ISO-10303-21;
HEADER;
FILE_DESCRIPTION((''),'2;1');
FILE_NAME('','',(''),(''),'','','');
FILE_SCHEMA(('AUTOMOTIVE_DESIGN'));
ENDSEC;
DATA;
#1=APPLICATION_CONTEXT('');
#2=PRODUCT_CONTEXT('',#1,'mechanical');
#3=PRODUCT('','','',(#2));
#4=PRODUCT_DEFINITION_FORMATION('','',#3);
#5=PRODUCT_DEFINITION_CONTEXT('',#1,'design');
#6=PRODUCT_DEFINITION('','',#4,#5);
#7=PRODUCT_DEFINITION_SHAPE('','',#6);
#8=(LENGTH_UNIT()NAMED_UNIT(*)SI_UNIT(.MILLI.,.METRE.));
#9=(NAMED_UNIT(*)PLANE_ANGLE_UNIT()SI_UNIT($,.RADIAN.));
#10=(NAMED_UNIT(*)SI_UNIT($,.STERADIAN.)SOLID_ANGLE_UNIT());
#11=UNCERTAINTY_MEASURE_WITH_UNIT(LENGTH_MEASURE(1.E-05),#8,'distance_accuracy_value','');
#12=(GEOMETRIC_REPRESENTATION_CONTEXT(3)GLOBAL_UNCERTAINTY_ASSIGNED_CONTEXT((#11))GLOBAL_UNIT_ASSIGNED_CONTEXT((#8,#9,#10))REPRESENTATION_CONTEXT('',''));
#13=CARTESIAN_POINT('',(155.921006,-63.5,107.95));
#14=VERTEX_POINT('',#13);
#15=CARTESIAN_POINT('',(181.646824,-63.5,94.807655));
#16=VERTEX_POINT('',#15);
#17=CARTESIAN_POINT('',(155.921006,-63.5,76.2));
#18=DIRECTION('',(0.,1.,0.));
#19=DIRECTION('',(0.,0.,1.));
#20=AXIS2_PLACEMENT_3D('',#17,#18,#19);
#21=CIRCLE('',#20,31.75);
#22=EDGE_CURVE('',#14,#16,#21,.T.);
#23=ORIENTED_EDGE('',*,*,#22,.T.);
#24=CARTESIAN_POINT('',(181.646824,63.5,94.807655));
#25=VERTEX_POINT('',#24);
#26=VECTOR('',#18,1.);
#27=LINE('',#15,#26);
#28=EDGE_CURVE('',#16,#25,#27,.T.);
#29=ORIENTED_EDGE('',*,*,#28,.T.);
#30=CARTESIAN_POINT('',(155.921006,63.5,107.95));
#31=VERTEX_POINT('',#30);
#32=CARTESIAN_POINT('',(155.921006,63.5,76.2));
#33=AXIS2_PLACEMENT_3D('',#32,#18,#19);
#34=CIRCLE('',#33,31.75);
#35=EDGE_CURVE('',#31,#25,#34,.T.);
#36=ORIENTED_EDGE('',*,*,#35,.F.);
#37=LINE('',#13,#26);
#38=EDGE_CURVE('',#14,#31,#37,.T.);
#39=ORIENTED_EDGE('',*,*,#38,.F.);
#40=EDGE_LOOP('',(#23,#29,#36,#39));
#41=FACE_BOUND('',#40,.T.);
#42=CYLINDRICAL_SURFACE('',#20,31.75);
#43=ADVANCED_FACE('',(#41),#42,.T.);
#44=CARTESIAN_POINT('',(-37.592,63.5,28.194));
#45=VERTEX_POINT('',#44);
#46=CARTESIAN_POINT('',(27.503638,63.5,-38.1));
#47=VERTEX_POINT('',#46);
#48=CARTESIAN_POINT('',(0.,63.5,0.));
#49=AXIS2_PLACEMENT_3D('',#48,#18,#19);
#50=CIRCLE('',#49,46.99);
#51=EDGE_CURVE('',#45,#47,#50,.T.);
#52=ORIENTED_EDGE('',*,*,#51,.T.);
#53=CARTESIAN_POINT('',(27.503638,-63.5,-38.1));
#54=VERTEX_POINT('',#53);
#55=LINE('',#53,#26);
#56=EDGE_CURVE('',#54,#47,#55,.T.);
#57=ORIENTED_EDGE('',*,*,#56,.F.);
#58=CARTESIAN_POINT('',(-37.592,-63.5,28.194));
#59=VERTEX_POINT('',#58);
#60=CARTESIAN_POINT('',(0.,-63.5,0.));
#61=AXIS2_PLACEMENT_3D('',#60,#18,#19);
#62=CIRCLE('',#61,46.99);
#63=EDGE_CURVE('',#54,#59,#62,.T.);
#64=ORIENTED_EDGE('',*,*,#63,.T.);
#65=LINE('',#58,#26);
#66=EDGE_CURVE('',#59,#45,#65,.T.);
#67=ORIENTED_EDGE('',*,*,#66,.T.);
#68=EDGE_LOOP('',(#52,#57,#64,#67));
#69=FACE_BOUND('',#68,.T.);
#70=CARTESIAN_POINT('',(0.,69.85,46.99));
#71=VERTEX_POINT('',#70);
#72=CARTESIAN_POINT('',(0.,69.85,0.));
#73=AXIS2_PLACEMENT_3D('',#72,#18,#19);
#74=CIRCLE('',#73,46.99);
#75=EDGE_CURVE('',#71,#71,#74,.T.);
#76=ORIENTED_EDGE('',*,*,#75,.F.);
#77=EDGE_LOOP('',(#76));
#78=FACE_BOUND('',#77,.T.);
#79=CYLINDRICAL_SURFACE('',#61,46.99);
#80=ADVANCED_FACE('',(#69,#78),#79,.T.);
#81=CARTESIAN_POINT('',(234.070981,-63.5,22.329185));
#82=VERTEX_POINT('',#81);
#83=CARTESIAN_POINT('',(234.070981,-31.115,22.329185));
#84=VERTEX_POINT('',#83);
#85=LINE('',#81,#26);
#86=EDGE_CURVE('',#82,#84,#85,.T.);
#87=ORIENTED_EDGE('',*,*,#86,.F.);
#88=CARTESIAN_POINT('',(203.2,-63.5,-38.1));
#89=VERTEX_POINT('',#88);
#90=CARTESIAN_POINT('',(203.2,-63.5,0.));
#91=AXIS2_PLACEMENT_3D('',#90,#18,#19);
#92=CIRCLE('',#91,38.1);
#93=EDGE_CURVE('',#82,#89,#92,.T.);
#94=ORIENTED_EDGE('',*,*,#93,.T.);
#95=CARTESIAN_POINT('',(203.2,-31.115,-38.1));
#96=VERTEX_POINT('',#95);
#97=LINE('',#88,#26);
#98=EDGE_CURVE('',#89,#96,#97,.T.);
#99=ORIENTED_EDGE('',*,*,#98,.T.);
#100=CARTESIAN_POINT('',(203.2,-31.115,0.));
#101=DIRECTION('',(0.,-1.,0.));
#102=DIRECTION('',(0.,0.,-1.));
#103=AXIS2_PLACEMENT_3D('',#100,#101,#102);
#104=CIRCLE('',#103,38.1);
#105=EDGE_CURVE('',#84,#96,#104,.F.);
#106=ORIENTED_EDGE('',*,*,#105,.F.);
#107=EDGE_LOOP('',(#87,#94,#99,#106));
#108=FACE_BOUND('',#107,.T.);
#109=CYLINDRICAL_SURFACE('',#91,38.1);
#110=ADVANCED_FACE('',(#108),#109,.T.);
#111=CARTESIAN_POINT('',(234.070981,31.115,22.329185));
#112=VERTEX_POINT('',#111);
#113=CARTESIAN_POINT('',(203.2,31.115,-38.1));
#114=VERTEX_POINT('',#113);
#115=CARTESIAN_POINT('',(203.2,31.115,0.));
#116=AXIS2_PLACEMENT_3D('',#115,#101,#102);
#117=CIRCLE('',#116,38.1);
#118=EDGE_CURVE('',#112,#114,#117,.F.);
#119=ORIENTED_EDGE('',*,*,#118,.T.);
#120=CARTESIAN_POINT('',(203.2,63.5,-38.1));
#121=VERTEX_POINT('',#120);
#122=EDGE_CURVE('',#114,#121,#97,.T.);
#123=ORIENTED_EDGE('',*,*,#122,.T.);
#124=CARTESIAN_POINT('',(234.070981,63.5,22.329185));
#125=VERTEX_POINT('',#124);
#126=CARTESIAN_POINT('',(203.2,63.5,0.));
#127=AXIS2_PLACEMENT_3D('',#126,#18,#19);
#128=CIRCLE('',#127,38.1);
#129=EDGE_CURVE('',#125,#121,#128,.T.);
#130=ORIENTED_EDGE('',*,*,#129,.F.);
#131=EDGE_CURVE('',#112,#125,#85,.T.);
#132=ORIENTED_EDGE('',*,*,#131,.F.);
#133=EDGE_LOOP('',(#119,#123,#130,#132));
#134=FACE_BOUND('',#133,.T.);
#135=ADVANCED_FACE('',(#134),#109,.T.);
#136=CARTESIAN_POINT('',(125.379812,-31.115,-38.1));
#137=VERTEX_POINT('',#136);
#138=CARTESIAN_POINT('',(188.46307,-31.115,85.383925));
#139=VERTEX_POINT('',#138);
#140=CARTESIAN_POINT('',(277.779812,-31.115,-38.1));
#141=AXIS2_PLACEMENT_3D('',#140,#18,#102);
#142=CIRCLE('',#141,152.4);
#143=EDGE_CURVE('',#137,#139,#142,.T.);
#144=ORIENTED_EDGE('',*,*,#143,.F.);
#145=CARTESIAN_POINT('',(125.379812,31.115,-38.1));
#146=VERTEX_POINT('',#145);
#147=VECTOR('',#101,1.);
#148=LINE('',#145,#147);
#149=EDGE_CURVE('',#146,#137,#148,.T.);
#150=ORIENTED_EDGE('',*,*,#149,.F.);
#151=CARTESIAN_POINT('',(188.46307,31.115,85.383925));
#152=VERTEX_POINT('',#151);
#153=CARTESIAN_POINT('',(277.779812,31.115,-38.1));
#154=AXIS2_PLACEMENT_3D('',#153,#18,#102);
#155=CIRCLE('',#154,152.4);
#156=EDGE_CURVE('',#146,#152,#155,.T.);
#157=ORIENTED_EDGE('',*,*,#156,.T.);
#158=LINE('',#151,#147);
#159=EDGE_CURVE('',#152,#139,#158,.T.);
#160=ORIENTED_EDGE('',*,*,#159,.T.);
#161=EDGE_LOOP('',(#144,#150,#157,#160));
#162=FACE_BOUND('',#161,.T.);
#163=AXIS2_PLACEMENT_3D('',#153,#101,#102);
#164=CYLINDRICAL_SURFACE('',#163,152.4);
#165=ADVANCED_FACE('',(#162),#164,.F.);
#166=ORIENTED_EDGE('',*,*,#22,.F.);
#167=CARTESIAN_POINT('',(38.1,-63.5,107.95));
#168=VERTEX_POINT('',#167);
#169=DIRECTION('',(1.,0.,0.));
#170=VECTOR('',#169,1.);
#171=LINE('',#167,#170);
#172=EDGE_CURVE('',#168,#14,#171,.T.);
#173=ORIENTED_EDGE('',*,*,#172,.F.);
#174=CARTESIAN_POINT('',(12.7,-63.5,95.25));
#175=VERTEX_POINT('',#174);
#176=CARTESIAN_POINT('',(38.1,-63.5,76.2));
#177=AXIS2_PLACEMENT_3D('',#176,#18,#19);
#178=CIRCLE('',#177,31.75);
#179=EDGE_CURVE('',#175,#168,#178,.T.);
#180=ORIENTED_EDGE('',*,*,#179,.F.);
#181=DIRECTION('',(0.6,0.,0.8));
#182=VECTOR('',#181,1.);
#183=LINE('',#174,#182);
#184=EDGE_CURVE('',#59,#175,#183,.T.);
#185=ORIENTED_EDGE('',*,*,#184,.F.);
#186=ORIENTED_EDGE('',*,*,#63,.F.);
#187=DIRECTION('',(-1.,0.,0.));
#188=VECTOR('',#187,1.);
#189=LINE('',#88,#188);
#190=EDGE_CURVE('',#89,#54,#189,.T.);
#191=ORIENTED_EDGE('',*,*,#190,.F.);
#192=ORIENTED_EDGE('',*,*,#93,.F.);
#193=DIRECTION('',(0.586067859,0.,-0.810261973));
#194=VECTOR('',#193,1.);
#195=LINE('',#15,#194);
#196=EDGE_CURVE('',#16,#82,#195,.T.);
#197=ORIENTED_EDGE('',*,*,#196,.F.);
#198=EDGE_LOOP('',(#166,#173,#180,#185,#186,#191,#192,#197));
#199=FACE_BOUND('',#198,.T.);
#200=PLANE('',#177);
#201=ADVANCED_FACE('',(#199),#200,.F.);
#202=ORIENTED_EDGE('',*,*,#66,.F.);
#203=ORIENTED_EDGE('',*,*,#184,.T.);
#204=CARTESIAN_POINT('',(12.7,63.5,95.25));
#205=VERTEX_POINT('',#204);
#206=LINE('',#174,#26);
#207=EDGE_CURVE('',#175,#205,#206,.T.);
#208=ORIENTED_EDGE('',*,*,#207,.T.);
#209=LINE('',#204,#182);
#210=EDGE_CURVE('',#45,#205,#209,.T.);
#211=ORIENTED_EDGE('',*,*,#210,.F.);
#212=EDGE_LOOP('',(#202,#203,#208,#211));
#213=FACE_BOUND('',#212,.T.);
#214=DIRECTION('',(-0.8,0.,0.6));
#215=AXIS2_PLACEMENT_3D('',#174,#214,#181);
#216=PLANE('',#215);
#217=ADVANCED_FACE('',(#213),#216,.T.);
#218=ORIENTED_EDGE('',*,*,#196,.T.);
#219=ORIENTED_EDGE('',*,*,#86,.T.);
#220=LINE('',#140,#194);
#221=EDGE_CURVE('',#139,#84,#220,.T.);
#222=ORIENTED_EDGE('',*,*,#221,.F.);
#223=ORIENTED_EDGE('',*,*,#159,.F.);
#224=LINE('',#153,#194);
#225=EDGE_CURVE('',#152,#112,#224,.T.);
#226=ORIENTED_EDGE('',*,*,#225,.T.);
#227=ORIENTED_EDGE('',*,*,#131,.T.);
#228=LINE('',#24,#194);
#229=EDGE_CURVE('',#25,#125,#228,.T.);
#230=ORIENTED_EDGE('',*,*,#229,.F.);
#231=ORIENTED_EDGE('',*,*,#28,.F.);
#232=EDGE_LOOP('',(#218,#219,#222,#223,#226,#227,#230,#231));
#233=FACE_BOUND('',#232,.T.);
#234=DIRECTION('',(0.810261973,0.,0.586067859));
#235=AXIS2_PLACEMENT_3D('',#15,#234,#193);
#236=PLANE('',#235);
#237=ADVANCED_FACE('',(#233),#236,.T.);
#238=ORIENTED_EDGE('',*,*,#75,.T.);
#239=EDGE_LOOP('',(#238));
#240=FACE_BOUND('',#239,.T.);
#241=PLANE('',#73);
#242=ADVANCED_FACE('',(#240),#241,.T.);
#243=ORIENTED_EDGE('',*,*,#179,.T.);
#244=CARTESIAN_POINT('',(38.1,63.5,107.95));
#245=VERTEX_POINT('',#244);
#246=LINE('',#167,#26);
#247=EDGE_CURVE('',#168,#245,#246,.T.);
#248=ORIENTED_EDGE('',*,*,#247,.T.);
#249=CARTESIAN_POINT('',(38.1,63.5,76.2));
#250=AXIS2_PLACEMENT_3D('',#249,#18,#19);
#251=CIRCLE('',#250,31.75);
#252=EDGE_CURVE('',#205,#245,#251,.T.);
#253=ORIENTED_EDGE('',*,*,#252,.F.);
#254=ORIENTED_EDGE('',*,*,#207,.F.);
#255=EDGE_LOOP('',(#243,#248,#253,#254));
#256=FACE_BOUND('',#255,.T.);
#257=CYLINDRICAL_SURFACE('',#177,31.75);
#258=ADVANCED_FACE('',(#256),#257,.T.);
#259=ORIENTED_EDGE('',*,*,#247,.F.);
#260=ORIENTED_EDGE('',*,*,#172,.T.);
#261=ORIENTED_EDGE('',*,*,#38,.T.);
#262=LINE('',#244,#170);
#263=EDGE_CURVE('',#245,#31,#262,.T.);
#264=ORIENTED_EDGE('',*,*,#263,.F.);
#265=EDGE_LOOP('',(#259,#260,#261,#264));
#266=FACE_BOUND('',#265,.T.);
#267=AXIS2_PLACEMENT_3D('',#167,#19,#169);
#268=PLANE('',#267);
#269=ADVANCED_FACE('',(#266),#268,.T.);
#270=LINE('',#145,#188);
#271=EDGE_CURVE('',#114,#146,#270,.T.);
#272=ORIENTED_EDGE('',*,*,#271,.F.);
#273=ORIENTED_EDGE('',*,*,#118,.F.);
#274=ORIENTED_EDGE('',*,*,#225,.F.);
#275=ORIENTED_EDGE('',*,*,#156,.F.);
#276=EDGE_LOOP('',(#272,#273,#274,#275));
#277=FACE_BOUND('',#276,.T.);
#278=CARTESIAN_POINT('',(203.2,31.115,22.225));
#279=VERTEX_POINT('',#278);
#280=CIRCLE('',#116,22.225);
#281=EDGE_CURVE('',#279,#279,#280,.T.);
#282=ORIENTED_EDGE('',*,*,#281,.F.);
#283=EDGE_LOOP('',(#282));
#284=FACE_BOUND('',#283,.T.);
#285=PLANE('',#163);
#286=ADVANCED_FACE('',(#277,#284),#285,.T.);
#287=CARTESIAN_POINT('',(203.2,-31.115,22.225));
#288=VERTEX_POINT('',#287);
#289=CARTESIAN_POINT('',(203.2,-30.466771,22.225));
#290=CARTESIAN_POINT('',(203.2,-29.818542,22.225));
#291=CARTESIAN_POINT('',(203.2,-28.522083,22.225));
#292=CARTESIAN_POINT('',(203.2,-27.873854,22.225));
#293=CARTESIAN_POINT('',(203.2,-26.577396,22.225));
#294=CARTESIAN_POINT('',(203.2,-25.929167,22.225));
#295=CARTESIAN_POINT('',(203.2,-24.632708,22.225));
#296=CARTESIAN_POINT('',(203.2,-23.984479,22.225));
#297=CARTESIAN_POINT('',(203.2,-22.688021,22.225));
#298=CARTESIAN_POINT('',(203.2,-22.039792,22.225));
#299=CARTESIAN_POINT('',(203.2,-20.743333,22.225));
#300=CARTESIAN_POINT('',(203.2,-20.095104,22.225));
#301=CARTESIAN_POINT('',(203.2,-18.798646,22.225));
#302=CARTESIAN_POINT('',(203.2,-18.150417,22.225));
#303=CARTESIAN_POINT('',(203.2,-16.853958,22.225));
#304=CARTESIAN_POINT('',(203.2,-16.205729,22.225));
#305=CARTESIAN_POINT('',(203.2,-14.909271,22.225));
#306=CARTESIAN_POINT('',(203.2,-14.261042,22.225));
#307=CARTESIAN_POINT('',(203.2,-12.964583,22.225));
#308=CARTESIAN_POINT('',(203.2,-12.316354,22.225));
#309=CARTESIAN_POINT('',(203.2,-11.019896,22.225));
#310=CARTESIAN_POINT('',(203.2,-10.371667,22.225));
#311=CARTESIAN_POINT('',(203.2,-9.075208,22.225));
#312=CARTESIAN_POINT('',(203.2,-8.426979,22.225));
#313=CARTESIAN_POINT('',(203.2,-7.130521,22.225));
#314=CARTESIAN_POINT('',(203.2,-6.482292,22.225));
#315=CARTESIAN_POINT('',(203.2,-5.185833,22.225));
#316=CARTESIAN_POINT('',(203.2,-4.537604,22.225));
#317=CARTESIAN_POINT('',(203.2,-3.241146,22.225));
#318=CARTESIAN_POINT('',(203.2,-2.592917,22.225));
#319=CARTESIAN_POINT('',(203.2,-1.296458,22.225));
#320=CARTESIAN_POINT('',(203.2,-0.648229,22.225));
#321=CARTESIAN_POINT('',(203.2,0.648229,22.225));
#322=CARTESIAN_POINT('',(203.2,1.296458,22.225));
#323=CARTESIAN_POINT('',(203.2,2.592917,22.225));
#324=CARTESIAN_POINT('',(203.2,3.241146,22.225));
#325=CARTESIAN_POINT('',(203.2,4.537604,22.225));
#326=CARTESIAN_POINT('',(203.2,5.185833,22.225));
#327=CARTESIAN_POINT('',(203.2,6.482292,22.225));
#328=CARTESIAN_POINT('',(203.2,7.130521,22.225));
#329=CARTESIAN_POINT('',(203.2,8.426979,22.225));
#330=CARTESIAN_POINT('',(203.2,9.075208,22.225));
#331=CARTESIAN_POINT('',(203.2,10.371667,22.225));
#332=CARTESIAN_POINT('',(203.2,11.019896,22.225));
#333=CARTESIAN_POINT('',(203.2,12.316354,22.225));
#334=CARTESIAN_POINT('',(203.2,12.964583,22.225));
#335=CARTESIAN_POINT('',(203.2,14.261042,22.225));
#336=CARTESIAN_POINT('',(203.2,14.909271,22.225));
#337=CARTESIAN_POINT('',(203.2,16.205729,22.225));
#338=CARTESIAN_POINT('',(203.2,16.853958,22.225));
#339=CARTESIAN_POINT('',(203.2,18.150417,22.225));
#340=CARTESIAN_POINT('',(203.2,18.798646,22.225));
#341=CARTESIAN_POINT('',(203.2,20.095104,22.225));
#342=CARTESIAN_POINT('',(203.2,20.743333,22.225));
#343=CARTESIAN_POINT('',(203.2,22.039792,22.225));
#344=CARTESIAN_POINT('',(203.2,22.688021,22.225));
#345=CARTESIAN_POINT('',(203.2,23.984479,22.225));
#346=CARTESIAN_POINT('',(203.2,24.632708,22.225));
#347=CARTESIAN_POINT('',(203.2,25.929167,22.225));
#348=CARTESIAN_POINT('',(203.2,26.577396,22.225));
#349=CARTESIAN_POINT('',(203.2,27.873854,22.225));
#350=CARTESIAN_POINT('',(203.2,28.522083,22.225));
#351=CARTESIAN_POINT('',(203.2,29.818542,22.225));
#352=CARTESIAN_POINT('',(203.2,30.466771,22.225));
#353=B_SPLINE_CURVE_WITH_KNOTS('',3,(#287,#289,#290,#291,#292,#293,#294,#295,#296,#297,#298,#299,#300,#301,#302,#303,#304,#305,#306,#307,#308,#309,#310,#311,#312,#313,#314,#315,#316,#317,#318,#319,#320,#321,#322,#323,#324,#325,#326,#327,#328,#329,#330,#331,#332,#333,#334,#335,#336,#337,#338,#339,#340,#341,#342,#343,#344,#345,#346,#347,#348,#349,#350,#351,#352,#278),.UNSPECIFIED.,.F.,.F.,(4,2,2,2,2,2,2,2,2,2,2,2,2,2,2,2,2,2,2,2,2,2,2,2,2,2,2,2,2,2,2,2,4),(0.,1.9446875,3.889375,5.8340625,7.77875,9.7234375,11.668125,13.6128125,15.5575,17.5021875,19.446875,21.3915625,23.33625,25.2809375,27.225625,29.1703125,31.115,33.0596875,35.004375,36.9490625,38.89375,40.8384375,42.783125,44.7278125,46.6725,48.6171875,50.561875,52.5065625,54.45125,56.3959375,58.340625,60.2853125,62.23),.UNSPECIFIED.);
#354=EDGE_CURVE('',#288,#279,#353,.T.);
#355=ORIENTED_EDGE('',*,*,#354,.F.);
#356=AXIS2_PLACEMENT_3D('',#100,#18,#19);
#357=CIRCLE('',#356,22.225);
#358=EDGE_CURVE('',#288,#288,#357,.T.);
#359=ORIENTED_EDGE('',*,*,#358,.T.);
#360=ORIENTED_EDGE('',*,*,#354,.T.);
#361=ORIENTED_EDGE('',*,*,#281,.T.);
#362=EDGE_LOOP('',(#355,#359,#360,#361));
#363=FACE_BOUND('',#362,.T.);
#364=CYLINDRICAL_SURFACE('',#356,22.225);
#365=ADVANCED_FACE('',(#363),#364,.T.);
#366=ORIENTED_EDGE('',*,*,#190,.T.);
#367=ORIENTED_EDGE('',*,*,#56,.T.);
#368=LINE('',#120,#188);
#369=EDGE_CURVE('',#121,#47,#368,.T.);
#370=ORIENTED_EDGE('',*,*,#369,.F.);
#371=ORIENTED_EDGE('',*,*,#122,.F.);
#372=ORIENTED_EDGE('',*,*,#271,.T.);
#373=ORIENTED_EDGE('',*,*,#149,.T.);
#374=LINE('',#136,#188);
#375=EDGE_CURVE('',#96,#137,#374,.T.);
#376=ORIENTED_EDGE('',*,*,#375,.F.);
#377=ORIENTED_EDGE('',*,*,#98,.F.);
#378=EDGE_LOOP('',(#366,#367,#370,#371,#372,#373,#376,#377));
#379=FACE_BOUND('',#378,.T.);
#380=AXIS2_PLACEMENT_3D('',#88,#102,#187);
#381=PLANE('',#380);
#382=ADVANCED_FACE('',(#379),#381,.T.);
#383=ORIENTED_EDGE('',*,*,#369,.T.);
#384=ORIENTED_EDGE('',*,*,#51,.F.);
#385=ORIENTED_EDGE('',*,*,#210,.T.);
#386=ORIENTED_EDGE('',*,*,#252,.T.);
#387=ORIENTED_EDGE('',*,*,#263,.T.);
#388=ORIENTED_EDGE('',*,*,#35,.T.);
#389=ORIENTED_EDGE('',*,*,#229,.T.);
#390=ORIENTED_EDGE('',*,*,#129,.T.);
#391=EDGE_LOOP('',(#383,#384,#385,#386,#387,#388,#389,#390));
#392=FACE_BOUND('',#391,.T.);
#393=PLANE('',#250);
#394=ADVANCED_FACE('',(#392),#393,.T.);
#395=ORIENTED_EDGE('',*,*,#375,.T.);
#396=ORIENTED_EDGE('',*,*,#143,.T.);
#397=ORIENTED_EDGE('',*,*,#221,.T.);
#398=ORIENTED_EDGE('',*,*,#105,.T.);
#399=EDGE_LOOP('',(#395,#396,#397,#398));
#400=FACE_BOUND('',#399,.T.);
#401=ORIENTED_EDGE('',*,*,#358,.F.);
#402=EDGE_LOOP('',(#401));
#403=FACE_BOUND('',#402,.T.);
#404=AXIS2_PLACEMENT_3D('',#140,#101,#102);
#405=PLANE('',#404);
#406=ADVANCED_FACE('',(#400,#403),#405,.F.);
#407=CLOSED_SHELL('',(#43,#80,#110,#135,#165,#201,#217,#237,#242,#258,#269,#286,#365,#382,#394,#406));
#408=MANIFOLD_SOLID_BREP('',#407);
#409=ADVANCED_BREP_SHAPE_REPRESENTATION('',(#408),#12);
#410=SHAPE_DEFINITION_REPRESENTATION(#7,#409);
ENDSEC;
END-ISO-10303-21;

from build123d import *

# Parameters (mm, degrees)
BOSS_EXTRUDE2_DEPTH      = 63.5
BOSS_EXTRUDE2_DEPTH_BACK = 63.5
SKETCH3_R                = 46.99
BOSS_EXTRUDE3_DEPTH      = 6.35
CUT_EXTRUDE1_DEPTH       = 31.115
CUT_EXTRUDE1_DEPTH_BACK  = 31.115
BOSS_EXTRUDE4_DEPTH      = 31.115
BOSS_EXTRUDE4_DEPTH_BACK = 31.115
SKETCH5_R                = 22.225


with BuildPart() as part:
    # Sketch2 → Boss-Extrude2 (new, two sides: drawn at the far end of the back side and taken through both)
    with BuildSketch(Plane(origin=(0, 0, 0), x_dir=(0, 0, -1), z_dir=(0, 1, 0)).offset(-BOSS_EXTRUDE2_DEPTH_BACK)):
        with BuildLine():
            Line((-107.95, -38.1), (-107.95, -155.921006071))
            ThreePointArc((-107.95, -155.921006071), (-104.47415367, -170.365199862), (-94.807654535, -181.646823701))
            Line((-94.807654535, -181.646823701), (-22.329185441, -234.070981156))
            ThreePointArc((-22.329185441, -234.070981156), (17.333032549, -237.128984404), (38.1, -203.2))
            Line((38.1, -203.2), (38.1, -27.503637941))
            ThreePointArc((38.1, -27.503637941), (32.92252616, 33.528605269), (-28.194, 37.592))
            Line((-28.194, 37.592), (-95.25, -12.7))
            ThreePointArc((-95.25, -12.7), (-104.598063314, -23.900968343), (-107.95, -38.1))
        make_face()
    extrude(amount=BOSS_EXTRUDE2_DEPTH + BOSS_EXTRUDE2_DEPTH_BACK)

    # Sketch3 → Boss-Extrude3 (add)
    with BuildSketch(Plane(origin=(0, 63.5, 0), x_dir=(1, 0, 0), z_dir=(0, 1, 0))):
        Circle(SKETCH3_R)
    extrude(amount=BOSS_EXTRUDE3_DEPTH)

    # Sketch4 → Cut-Extrude1 (cut, two sides: drawn at the far end of the back side and taken through both)
    with BuildSketch(Plane(origin=(0, 0, 0), x_dir=(1, 0, 0), z_dir=(0, 1, 0)).offset(-CUT_EXTRUDE1_DEPTH_BACK)):
        with BuildLine():
            Line((125.379811821, 38.1), (277.779811821, 38.1))
            Line((277.779811821, 38.1), (188.463070055, -85.383924623))
            ThreePointArc((188.463070055, -85.383924623), (142.063874206, -31.232130195), (125.379811821, 38.1))
        make_face()
    extrude(amount=CUT_EXTRUDE1_DEPTH + CUT_EXTRUDE1_DEPTH_BACK, mode=Mode.SUBTRACT)

    # Sketch5 → Boss-Extrude4 (add, two sides: drawn at the far end of the back side and taken through both)
    with BuildSketch(Plane(origin=(0, 0, 0), x_dir=(1, 0, 0), z_dir=(0, 1, 0)).offset(-BOSS_EXTRUDE4_DEPTH_BACK)):
        with Locations((203.2, 0)):
            Circle(SKETCH5_R)
    extrude(amount=BOSS_EXTRUDE4_DEPTH + BOSS_EXTRUDE4_DEPTH_BACK)


solid = part.part
